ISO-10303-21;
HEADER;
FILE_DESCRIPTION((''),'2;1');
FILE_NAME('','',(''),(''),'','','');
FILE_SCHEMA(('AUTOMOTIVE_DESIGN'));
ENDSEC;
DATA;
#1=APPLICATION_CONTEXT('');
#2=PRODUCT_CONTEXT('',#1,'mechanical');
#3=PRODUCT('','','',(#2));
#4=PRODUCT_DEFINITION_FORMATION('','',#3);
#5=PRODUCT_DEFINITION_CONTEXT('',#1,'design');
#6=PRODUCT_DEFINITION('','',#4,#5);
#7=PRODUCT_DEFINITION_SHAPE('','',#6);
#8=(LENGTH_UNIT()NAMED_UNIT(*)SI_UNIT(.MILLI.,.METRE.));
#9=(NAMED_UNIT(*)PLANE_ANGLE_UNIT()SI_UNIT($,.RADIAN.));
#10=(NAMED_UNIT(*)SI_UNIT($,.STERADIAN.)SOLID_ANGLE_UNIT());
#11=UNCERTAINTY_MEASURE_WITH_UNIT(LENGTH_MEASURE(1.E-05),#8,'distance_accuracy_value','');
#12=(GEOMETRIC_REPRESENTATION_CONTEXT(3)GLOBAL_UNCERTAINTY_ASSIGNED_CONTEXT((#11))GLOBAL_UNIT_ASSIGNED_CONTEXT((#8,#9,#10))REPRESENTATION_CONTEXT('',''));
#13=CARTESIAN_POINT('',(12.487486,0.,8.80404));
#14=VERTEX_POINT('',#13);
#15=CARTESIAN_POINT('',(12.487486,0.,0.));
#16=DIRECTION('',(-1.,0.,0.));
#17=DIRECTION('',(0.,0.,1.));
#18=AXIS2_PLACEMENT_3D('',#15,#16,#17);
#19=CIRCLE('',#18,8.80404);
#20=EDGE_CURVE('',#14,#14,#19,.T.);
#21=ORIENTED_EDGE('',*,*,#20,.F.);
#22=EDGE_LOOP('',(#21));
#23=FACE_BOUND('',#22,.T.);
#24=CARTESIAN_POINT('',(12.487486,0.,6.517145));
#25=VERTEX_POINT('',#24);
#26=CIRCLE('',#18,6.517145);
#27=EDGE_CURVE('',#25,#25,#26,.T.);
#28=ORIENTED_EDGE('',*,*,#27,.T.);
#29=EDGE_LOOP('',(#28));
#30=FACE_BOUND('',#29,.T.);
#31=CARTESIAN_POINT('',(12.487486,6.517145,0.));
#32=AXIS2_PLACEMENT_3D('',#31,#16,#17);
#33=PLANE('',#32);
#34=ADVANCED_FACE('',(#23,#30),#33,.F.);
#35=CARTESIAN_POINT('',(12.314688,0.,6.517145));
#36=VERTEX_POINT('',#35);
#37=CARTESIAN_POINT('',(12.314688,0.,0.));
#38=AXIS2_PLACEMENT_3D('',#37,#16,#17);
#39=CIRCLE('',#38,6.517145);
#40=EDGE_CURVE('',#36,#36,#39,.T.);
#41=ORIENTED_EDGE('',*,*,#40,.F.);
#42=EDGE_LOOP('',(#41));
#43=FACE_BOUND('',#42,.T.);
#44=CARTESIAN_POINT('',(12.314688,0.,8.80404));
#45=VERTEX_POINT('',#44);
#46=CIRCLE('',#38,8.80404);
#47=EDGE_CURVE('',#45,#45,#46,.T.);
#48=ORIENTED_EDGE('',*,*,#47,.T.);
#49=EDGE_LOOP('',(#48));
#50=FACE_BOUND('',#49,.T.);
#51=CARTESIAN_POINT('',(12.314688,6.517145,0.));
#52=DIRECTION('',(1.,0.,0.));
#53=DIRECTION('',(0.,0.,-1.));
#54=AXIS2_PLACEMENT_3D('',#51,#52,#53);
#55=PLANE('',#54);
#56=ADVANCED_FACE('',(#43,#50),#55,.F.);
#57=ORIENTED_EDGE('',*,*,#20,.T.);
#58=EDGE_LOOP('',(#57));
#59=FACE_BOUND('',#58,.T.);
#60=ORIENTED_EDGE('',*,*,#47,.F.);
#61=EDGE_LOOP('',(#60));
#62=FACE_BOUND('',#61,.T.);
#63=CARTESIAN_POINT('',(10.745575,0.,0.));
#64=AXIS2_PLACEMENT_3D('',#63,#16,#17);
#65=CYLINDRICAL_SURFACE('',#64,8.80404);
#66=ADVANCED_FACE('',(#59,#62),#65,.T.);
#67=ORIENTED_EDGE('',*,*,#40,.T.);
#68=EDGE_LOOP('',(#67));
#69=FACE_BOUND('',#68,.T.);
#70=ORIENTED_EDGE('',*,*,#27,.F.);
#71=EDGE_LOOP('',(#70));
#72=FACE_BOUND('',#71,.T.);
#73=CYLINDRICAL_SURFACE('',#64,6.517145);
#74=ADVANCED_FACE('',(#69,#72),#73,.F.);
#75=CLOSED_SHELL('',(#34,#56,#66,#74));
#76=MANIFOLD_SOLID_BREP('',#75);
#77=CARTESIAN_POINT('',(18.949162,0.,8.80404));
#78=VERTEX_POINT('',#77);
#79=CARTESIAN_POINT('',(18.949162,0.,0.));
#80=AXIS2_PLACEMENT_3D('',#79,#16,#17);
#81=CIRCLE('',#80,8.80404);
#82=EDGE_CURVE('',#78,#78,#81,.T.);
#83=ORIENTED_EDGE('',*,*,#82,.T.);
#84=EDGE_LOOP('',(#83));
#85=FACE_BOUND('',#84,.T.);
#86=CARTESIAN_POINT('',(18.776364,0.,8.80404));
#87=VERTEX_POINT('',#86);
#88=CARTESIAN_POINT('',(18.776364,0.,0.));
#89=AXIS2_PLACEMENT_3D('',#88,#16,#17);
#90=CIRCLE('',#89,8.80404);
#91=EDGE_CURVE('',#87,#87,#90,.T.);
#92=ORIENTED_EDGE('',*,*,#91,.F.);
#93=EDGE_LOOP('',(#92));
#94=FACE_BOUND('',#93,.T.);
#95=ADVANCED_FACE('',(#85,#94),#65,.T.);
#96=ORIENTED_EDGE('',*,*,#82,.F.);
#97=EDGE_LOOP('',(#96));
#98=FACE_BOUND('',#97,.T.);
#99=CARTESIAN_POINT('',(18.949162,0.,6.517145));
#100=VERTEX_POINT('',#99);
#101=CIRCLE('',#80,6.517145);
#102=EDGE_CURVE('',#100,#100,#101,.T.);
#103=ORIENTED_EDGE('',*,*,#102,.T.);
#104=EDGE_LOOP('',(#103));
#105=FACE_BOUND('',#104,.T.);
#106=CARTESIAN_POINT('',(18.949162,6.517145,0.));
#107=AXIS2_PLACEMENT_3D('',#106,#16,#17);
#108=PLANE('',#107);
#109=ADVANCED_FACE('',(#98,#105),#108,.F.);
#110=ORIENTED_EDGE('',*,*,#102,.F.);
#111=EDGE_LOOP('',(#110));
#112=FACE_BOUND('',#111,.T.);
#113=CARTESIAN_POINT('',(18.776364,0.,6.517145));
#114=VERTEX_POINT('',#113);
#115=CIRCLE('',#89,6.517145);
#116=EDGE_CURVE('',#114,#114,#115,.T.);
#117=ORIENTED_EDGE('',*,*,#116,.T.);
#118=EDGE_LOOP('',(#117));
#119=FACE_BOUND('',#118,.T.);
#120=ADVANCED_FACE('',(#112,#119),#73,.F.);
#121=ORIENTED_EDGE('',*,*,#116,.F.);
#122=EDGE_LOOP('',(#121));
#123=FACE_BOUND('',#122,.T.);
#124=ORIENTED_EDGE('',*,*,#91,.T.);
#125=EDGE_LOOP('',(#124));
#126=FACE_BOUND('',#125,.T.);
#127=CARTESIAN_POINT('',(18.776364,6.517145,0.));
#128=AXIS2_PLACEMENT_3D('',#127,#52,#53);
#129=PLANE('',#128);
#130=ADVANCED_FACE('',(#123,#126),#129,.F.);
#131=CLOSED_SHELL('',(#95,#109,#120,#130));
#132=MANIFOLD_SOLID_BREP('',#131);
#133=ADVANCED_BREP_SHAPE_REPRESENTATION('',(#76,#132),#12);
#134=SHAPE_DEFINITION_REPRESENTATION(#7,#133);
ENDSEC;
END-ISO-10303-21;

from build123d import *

# Parameters (mm, degrees)
ESQUISSE1_W   = 0.172797848
ESQUISSE1_H   = 2.286894477
ESQUISSE1_W_2 = 0.172797849


with BuildPart() as part:
    # Esquisse1 → Révolution1 (revolve)
    with BuildSketch(Plane.XY, mode=Mode.PRIVATE) as r_volution1_sk:
        with Locations((12.401086859, 7.66059267)):
            Rectangle(ESQUISSE1_W, ESQUISSE1_H)
        with Locations((18.862762915, 7.66059267)):
            Rectangle(ESQUISSE1_W_2, ESQUISSE1_H)
    revolve(r_volution1_sk.sketch.rotate(Axis((10.74557461, 0, 0), (1, 0, 0)), 90), axis=Axis((10.74557461, 0, 0), (1, 0, 0)))


solid = part.part
